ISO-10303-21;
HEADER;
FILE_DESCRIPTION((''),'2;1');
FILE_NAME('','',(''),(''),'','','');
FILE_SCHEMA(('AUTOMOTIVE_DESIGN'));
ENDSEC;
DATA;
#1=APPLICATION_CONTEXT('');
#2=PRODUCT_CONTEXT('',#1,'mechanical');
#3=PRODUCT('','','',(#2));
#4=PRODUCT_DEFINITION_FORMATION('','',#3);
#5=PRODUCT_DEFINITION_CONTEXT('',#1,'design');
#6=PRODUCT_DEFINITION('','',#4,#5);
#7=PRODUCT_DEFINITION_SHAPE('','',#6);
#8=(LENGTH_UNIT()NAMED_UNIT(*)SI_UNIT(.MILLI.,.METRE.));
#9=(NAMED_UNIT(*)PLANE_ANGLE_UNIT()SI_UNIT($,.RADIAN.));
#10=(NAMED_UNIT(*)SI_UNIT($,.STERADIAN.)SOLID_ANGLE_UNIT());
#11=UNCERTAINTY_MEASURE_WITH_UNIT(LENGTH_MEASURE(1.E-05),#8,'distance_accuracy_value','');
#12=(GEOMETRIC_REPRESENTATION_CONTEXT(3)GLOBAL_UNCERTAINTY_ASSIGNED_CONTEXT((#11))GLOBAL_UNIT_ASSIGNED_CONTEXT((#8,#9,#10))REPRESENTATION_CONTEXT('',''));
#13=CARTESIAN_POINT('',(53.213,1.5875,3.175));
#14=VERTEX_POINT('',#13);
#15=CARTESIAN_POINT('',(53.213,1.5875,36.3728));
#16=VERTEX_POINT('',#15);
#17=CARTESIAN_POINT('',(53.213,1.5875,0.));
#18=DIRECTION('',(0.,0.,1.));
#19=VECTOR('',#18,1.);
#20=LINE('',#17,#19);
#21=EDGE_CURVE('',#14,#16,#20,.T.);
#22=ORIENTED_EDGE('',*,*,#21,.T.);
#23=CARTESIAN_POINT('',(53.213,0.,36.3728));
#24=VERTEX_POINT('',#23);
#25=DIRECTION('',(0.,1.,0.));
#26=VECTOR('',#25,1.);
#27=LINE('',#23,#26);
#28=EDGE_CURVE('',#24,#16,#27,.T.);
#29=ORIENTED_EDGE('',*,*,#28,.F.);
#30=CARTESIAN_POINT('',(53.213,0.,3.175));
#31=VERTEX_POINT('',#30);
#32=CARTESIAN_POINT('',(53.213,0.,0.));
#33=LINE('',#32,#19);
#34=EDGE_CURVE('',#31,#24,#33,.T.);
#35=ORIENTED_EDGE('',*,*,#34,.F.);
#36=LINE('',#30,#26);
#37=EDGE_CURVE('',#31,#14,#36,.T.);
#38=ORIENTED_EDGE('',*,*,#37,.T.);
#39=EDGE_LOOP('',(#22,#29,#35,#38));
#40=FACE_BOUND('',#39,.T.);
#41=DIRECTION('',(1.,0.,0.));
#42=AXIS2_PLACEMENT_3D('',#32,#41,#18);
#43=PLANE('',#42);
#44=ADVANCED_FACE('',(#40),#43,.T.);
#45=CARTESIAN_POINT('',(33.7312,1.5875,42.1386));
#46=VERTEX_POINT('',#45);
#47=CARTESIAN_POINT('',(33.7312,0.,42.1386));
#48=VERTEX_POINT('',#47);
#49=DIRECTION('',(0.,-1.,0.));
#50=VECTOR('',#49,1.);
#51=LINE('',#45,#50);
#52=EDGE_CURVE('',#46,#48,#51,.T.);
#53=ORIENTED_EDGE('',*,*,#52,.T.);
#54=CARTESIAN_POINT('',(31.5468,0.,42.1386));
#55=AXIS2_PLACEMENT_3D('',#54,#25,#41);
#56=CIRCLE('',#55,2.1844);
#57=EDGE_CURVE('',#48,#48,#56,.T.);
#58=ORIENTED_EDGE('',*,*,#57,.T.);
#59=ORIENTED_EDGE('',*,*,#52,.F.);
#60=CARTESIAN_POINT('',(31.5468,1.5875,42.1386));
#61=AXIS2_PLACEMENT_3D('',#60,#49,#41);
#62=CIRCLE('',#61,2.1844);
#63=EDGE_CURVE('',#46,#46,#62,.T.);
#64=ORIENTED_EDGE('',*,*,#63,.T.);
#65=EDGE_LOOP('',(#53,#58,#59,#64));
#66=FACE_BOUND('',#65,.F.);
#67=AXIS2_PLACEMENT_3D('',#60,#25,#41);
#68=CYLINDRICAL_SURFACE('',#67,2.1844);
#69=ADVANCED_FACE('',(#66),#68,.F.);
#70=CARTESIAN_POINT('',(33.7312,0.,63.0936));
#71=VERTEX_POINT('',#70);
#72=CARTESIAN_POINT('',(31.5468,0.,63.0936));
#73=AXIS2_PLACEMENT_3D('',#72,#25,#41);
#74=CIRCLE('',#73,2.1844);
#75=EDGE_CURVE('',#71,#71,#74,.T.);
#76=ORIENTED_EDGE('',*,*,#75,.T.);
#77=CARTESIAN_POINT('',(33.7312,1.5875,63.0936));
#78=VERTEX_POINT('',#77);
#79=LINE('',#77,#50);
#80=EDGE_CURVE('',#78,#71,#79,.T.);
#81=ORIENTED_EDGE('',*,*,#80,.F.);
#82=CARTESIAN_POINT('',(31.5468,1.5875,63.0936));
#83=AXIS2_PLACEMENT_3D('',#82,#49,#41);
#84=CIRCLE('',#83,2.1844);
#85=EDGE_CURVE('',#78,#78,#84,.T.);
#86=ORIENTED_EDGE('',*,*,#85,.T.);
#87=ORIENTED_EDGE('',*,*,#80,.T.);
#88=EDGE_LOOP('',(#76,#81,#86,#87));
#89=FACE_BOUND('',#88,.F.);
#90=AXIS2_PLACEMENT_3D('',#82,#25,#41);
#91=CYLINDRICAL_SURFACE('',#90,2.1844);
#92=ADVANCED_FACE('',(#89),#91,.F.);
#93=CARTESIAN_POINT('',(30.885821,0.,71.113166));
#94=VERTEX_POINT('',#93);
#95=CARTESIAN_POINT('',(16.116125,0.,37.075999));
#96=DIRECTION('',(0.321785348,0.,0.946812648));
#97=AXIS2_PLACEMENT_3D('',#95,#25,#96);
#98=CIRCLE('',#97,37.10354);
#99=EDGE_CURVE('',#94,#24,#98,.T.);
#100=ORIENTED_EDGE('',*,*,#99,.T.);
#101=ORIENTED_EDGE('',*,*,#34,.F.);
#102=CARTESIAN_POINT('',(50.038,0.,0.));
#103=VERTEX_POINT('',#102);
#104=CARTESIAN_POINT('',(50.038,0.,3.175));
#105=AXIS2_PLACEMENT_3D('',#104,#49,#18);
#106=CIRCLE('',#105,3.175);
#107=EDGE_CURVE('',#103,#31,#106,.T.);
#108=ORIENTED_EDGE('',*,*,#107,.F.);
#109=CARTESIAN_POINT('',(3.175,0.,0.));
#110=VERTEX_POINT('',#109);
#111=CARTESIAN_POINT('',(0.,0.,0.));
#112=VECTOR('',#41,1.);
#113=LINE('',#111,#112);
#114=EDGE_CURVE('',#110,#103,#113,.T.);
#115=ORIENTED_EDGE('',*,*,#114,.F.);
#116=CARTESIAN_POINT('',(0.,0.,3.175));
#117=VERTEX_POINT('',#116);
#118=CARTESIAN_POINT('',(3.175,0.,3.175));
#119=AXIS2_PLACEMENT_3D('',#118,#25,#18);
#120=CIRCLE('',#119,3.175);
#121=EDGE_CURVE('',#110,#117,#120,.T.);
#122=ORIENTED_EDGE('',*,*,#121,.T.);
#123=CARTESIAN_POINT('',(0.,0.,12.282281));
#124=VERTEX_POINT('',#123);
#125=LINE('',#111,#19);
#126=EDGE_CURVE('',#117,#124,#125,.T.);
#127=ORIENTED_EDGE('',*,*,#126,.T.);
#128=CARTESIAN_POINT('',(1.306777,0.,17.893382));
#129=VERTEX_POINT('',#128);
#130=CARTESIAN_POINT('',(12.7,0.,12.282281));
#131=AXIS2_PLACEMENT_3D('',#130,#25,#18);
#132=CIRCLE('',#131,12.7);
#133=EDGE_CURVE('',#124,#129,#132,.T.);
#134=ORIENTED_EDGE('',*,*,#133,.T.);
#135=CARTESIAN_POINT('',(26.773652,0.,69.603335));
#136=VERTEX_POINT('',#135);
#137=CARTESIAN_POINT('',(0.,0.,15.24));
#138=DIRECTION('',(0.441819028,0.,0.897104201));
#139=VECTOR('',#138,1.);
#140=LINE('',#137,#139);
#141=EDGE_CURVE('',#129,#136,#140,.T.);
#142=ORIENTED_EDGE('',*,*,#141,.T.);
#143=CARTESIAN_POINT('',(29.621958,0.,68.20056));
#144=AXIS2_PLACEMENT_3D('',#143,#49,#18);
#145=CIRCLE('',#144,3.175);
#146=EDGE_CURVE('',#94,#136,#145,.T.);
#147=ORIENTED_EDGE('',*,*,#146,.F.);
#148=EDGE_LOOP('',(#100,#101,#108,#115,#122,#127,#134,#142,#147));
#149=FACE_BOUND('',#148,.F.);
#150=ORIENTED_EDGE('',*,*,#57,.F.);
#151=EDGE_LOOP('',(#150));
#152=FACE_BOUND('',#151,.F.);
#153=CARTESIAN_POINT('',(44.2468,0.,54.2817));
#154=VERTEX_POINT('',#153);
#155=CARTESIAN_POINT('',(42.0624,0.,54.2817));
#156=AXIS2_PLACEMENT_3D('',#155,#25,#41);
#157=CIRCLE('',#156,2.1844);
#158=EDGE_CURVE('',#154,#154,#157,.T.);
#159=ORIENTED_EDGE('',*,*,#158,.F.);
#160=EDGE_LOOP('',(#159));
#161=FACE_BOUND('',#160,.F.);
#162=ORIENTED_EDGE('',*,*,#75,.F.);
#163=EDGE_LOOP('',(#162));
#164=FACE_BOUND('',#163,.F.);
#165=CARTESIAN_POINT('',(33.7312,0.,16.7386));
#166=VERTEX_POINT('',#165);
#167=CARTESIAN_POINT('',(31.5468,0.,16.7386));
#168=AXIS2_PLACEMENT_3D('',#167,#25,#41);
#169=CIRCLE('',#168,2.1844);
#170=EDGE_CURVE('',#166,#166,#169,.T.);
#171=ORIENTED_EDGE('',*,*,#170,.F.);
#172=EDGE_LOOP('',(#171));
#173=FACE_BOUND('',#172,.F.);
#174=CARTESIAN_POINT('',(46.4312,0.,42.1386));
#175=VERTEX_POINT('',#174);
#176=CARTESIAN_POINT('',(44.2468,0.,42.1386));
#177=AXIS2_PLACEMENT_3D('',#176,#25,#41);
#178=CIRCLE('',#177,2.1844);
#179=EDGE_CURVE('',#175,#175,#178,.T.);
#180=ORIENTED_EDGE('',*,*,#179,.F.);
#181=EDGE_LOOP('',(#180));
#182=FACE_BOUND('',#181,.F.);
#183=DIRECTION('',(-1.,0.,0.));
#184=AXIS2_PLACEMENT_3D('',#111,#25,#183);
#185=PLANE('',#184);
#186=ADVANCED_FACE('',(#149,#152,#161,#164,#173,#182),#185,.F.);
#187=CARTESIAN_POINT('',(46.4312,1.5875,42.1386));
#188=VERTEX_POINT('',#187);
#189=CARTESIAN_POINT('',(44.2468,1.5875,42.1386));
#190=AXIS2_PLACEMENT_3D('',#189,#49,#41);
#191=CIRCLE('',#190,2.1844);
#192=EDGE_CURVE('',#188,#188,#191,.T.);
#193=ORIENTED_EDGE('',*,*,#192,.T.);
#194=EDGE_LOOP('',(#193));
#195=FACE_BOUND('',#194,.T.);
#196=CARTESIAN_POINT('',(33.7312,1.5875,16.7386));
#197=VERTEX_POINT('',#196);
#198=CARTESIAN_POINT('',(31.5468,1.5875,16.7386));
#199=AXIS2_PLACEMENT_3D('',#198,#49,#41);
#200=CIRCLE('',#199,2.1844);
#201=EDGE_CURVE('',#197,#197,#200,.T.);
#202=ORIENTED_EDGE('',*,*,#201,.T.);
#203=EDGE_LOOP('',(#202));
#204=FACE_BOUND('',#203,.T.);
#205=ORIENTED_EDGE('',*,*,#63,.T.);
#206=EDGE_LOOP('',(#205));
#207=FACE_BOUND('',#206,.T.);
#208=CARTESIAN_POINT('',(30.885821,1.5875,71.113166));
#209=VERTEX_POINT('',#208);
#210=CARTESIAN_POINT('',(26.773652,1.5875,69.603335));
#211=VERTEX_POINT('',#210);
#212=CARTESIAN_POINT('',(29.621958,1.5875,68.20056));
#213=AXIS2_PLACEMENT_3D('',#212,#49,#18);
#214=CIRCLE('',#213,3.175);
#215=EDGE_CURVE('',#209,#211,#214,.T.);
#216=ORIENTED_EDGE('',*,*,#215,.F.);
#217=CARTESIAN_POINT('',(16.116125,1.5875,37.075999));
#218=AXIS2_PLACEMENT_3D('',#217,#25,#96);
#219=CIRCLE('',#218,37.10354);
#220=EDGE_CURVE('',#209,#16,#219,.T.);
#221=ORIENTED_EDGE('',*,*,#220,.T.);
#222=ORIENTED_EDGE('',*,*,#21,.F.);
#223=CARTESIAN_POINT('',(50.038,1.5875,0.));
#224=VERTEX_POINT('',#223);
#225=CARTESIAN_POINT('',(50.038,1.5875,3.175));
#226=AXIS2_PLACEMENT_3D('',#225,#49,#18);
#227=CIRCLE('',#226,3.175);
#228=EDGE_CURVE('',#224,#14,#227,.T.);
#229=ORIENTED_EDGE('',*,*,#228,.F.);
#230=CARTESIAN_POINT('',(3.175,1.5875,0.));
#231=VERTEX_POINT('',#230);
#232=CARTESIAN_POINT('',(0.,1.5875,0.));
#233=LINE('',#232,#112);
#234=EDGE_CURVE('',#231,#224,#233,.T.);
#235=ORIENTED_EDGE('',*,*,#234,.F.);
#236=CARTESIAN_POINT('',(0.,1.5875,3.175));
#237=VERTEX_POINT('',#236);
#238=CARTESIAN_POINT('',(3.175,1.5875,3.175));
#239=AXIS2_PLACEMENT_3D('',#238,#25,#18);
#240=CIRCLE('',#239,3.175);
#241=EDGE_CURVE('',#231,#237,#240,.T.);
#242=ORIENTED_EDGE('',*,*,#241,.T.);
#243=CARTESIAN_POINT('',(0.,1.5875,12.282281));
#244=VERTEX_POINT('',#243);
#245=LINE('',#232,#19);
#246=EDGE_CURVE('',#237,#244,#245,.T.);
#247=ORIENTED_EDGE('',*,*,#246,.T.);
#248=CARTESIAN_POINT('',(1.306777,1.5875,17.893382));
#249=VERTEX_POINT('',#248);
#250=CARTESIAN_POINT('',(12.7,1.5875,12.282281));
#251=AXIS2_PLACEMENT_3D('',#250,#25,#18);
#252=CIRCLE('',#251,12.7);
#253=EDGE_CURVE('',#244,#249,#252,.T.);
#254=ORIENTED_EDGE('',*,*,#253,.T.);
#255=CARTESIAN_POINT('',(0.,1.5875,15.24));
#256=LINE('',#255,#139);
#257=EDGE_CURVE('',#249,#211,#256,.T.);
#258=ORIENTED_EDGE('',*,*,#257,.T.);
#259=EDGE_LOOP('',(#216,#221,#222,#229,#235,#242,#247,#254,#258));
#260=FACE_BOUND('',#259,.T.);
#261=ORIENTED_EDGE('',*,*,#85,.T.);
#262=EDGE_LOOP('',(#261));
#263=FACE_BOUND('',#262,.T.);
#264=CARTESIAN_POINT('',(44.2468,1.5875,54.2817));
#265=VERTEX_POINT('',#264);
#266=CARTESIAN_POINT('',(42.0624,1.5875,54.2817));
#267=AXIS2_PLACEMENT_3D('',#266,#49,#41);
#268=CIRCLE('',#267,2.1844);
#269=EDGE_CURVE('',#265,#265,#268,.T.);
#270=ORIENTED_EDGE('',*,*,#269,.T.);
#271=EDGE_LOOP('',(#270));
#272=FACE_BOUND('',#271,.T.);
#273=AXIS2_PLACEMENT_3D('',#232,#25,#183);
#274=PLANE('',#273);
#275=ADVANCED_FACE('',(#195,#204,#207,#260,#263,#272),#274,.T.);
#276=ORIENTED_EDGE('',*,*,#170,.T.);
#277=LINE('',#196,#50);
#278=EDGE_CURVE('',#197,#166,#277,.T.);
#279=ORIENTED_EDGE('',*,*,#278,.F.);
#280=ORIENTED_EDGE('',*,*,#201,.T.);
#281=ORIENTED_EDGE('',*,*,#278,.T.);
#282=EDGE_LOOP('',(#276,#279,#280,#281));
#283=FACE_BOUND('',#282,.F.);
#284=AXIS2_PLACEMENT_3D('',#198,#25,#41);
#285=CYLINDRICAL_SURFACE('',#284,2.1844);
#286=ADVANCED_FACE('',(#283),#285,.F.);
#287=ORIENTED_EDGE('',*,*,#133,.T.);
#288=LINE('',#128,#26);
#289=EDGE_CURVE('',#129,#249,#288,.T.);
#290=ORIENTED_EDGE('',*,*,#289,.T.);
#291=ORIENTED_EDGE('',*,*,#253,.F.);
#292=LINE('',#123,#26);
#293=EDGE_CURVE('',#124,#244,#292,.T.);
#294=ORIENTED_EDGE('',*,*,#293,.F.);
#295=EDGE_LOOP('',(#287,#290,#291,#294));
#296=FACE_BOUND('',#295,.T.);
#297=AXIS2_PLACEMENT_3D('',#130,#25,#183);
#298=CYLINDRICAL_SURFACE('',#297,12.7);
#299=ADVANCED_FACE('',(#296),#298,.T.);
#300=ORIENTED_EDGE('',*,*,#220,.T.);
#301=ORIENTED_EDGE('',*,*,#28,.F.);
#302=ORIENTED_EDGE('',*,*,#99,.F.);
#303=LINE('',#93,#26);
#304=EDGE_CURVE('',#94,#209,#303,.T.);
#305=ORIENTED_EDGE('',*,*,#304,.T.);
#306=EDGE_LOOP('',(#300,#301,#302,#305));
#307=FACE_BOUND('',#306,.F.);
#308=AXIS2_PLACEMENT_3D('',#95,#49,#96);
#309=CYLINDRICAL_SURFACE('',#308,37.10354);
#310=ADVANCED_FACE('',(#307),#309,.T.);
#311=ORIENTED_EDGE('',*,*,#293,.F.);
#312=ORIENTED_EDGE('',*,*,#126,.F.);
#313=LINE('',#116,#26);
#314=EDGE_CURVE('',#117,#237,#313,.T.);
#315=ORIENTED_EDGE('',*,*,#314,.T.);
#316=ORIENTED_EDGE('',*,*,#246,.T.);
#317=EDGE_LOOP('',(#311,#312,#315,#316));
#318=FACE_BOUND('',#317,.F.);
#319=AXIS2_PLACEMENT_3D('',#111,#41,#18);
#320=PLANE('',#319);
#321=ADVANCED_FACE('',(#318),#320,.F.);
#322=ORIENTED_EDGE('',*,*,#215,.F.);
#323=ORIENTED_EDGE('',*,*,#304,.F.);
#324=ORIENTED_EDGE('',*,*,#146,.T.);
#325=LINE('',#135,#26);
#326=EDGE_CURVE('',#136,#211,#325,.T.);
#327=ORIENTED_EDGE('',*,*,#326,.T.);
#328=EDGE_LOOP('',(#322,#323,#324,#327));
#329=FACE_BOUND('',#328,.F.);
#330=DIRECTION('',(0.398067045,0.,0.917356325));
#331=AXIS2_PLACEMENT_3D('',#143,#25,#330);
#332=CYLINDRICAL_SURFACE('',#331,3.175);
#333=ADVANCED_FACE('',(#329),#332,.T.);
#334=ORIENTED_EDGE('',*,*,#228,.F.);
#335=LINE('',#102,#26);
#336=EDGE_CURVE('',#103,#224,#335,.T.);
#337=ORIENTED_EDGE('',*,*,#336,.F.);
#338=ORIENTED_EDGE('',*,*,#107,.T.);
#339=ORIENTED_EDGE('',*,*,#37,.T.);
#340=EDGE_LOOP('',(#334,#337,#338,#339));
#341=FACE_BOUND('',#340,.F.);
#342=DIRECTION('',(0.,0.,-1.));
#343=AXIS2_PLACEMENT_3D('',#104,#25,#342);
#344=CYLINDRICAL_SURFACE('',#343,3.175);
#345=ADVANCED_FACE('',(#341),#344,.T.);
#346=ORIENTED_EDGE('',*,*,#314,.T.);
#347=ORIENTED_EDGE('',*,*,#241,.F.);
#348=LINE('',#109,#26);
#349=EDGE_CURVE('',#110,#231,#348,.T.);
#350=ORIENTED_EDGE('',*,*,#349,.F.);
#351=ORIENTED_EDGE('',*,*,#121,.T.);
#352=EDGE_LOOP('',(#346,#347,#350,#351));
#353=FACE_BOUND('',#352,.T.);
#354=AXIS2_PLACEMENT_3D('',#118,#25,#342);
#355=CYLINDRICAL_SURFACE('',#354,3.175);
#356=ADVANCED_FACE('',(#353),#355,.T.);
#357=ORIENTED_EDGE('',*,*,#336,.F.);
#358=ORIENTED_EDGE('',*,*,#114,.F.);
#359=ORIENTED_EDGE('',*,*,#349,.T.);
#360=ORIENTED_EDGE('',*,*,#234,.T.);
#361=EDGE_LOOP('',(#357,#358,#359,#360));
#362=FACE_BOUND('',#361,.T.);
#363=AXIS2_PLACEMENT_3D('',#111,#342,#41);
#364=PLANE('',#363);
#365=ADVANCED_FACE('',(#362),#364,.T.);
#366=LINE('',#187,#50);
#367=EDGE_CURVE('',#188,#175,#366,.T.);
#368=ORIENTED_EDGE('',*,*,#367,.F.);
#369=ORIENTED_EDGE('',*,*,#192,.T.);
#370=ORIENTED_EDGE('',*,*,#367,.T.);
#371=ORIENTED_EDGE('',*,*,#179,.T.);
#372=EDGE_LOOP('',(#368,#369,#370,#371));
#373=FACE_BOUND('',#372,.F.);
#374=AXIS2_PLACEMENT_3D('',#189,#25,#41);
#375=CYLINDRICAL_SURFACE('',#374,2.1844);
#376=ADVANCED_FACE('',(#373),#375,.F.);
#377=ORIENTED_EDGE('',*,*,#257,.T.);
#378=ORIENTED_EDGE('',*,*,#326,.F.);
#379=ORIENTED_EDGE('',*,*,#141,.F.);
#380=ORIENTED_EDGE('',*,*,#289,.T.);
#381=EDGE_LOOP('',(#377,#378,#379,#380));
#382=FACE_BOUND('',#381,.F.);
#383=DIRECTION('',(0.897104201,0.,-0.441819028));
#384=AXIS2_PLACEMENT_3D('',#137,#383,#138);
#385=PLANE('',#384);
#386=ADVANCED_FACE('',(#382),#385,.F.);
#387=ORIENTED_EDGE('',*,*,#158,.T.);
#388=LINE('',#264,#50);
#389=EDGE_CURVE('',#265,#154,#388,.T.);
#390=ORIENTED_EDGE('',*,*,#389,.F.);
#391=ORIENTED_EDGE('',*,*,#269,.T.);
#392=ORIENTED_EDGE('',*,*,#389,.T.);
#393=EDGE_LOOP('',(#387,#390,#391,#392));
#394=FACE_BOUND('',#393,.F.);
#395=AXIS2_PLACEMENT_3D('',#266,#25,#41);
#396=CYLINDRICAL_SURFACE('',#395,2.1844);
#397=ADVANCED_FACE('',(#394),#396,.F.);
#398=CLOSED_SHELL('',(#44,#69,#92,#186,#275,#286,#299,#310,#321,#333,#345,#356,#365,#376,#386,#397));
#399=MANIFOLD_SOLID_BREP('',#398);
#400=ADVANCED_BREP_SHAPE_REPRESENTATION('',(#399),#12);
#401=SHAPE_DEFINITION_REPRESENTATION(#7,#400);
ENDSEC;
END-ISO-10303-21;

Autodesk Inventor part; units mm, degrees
ref_plane "YZ Plane" through (0, 0, 0) normal (1, 0, 0) x (0, 1, 0)
ref_plane "XZ Plane" through (0, 0, 0) normal (0, 1, 0) x (-1, 0, 0)
ref_plane "XY Plane" through (0, 0, 0) normal (0, 0, 1) x (1, 0, 0)
sketch "Sketch9" plane through (0, 0, 0) normal (0, 1, 0) x (-1, 0, 0)
  line L0 (0, 0) -> (-53.213, 0)
  line L1 (-53.213, 0) -> (-53.213, 36.3728)
  line L2 (0, 0) -> (0, 15.24)
  line L3 (0, 15.24) -> (-28.0555, 72.2061)
  arc A0 (-28.0555, 72.2061) -> (-53.213, 36.3728) centre (-16.1162, 37.0761) ccw
  dimension "d113" = 53.213
  dimension "d114" = 36.3728
  dimension "d115" = 15.24
  dimension "d116" = 63.5
  dimension "d117" = 153.78
extrude "Extrusion10" add sketch "Sketch9" along normal blind 1.5875
sketch "Sketch10" plane through (0, 1.5875, 0) normal (0, 1, 0) x (1, 0, 0)
  line L0 (53.213, -36.3728) -> (53.213, 0) projected
  line L1 (53.213, 0) -> (44.2468, 0)
  line L2 (53.213, 0) -> (0, 0) projected
  line L3 (44.2468, 0) -> (44.2468, -16.7386)
  line L4 (44.2468, 0) -> (44.2468, -42.1386)
  circle A0 centre (44.2468, -42.1386) radius 2.1844
  line L5 (44.2468, -42.1386) -> (31.5468, -42.1386)
  circle A1 centre (31.5468, -42.1386) radius 2.1844
  line L6 (53.213, 0) -> (27.813, 0)
  line L7 (31.5468, -42.1386) -> (31.5468, 0)
  line L8 (31.5468, -42.1386) -> (31.5468, -63.0936)
  circle A2 centre (31.5468, -63.0936) radius 2.1844
  circle A3 centre (42.0624, -54.2817) radius 2.1844
  arc A4 (31.5468, -63.0936) -> (44.2468, -42.1386) centre (25.3391, -45.0054) ccw
  line L9 (31.5468, 0) -> (31.5468, -16.7386)
  circle A5 centre (31.5468, -16.7386) radius 2.1844
  dimension "d123" = 8.9662
  dimension "d124" = 16.7386
  dimension "d126" = 42.1386
  dimension "d127" = 12.7
  dimension "d128" = 4.3688
  dimension "d129" = 25.4
  dimension "d130" = 20.955
  dimension "d131" = 4.3688
  dimension "d134" = 4.3688
  dimension "d142" = 16.7386
  dimension "d143" = 4.3688
fillet "Fillet4" radius 3.175 2 edges at (28.0555, 0.7937, 72.2061) (53.213, 0.7937, 0)
fillet "Fillet5" radius 3.175 1 edges at (0, 0.7937, 0)
fillet "Fillet6" radius 12.7 1 edges at (0, 0.7937, 15.24)
sketch "Sketch12" plane through (0, 1.5875, 0) normal (0, 1, 0) x (1, 0, 0)
  point P0 (0, 0)
  point P1 (3.175, 0)
extrude "Extrusion13" cut sketch "Sketch10" against normal blind 1.5875 contours A5 L7 | L7 A5 | A0 A4 L4 | L4 L5 A0 | A4 A0 L5 | L7 L8 A1 | A1 L5 L7 | A1 L8 L5 | A4 A3 | A3 A4 | A2 A4 L8 | L8 A4 A2
properties part number "New-Sleds" material "Polycarbonate, Clear"
